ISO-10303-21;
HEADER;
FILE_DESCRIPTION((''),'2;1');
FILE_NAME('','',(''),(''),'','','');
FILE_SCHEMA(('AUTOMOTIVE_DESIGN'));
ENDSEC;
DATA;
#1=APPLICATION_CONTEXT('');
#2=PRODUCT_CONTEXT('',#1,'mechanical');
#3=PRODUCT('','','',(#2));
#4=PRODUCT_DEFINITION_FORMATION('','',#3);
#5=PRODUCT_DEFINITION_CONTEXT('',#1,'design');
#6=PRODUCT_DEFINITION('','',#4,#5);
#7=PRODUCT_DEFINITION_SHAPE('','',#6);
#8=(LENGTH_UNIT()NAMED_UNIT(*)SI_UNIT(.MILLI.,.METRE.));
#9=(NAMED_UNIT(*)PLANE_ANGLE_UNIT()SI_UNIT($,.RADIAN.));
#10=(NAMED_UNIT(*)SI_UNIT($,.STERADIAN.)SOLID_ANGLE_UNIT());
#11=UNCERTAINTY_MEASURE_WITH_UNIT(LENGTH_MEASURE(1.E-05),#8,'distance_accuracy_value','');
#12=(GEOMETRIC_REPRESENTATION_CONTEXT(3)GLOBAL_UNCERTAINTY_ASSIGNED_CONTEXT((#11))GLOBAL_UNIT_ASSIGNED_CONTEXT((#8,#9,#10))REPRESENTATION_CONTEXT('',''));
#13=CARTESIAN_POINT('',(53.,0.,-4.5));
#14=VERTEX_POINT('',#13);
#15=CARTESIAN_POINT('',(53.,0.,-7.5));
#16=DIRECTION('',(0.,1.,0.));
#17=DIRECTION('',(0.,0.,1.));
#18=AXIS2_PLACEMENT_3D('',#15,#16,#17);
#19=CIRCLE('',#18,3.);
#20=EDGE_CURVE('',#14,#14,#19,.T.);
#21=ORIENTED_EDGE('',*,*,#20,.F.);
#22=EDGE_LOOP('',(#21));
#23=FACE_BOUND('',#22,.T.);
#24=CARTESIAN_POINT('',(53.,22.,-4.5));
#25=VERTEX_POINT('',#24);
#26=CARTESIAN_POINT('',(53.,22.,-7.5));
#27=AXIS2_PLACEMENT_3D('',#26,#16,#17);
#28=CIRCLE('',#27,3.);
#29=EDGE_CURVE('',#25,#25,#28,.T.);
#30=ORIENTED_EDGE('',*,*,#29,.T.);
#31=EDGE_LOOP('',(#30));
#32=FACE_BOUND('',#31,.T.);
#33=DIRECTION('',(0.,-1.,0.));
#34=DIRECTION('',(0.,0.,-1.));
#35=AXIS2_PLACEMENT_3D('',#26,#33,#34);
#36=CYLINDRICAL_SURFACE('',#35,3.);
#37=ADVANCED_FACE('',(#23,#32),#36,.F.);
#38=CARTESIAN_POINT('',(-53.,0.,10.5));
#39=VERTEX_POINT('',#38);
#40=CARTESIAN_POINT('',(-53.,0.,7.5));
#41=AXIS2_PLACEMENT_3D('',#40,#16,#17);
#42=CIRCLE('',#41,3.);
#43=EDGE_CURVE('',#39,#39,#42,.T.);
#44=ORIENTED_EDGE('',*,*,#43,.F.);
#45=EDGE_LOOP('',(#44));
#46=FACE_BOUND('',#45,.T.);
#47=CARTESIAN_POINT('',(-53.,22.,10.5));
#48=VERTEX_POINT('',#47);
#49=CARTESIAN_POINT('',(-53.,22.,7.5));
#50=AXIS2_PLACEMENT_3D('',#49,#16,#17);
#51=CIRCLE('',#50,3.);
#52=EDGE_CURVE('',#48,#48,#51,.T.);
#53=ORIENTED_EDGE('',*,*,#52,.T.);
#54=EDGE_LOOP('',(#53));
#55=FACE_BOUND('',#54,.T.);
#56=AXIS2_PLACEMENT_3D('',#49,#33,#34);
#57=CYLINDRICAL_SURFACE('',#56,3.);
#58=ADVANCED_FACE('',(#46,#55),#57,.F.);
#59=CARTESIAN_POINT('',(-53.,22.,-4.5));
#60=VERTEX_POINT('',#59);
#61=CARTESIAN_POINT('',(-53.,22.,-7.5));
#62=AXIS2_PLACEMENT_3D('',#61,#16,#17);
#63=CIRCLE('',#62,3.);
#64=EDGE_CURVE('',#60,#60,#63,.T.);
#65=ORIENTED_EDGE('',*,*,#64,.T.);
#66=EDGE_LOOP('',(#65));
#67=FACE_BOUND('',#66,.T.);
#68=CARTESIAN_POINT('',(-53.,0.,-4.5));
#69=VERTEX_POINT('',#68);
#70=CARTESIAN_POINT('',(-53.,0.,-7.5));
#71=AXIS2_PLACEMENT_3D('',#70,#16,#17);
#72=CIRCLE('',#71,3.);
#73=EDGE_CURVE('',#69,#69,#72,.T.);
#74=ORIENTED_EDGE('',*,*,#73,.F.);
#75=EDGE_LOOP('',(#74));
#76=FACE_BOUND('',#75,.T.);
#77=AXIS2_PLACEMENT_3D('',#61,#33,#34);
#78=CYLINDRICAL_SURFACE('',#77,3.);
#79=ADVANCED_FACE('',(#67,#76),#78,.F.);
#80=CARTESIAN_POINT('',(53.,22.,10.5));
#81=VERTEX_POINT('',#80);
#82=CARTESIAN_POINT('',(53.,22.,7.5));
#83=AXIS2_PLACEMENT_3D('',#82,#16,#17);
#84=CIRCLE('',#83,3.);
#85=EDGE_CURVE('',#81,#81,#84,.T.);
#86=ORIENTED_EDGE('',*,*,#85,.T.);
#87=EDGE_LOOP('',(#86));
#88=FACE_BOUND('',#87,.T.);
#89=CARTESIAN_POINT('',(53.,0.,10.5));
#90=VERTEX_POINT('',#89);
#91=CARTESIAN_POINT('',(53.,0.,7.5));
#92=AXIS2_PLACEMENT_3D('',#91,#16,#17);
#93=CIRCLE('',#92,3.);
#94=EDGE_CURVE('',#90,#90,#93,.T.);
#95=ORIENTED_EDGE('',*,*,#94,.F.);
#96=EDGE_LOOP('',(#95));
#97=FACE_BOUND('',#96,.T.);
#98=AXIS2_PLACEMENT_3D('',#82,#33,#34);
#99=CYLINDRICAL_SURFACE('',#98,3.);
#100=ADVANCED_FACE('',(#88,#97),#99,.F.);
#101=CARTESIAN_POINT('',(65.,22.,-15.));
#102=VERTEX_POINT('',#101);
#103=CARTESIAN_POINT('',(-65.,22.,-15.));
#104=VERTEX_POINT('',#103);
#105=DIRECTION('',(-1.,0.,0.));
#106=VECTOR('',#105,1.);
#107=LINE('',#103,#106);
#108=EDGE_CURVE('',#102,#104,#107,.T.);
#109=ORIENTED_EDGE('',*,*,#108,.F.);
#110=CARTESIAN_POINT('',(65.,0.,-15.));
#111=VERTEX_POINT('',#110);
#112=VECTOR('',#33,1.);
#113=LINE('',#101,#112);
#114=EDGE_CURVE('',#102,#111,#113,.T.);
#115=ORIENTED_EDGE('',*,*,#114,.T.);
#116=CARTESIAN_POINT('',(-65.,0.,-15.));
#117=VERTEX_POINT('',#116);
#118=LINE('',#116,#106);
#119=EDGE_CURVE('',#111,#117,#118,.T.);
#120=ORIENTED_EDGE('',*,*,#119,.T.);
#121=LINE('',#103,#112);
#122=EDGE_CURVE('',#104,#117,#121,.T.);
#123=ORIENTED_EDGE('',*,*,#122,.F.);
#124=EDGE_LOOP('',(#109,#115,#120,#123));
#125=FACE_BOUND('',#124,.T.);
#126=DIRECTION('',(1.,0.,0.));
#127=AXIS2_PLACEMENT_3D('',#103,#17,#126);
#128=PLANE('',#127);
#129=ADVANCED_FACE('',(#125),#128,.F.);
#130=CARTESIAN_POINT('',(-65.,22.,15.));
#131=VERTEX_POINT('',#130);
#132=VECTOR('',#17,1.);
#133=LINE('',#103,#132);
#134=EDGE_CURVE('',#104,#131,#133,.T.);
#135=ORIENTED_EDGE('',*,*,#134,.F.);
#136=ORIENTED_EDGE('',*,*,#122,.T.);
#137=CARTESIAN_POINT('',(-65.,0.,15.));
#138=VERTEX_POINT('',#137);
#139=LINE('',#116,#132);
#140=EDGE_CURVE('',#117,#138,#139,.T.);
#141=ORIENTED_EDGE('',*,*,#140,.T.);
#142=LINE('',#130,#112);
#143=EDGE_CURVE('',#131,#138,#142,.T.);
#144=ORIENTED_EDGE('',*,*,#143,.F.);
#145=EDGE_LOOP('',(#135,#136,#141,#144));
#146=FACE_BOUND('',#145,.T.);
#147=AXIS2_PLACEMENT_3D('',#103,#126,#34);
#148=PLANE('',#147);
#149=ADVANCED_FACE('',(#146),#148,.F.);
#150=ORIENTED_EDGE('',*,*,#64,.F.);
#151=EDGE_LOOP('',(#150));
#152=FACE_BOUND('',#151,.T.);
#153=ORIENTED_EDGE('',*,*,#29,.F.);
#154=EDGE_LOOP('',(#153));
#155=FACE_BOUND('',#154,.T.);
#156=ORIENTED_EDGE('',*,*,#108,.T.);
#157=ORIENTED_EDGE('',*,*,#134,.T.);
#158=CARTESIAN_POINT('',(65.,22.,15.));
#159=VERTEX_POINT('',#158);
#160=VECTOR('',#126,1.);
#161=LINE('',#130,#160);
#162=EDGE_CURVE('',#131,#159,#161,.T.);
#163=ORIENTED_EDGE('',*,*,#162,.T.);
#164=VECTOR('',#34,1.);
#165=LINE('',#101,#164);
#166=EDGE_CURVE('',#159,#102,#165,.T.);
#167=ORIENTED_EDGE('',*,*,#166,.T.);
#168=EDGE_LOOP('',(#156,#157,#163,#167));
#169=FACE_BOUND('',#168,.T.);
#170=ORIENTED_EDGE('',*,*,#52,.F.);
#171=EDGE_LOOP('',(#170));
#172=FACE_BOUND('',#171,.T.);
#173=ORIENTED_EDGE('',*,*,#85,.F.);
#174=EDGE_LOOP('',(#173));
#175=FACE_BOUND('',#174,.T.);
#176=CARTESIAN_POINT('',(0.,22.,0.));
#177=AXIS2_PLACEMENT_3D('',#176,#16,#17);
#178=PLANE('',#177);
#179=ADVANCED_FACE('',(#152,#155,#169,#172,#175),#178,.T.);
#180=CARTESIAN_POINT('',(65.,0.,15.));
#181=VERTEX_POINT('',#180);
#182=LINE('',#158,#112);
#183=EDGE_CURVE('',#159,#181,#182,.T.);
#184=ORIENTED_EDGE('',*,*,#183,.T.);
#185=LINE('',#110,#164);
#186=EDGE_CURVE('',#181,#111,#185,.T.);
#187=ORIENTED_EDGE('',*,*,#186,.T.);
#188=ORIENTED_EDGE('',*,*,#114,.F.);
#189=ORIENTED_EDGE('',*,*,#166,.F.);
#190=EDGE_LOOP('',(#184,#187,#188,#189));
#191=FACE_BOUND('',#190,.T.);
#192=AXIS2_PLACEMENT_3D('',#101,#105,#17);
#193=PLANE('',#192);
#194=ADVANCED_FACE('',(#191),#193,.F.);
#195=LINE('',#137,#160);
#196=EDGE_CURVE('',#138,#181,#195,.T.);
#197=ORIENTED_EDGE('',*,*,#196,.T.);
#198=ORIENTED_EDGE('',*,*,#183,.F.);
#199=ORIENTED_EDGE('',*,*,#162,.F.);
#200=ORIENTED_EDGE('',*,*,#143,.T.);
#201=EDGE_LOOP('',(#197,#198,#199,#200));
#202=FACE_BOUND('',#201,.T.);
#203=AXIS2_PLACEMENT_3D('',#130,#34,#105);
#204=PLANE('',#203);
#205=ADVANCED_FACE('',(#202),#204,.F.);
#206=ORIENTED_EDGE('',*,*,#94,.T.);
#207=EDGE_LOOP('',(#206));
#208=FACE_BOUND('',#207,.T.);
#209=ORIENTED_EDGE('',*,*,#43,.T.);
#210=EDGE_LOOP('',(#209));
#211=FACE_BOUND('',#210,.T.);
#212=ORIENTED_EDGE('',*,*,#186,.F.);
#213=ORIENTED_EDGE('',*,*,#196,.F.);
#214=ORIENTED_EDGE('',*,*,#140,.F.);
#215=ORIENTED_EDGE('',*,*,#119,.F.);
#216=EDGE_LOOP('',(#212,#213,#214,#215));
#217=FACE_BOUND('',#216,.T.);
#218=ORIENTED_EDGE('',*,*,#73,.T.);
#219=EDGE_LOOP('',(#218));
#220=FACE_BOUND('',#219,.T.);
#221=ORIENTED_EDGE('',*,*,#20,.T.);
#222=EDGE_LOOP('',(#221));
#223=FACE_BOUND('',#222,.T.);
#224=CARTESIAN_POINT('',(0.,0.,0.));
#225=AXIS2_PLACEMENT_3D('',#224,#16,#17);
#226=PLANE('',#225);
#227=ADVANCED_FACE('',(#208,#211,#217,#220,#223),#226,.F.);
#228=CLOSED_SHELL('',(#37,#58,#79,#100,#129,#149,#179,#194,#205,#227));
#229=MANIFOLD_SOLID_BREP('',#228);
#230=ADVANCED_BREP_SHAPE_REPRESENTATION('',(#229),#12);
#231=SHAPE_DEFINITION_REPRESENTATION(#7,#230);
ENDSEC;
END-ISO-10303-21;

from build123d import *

# Parameters (mm, degrees)
SKETCH1_W           = 130
SKETCH1_H           = 30
SKETCH1_R           = 3
BOSS_EXTRUDE1_DEPTH = 22


with BuildPart() as part:
    # Sketch1 → Boss-Extrude1 (new body)
    with BuildSketch(Plane(origin=(0, 0, 0), x_dir=(1, 0, 0), z_dir=(0, 1, 0))):
        Rectangle(SKETCH1_W, SKETCH1_H)
        with Locations(Location((-53, 7.5, 0), (0, 0, 270))):
            Circle(SKETCH1_R, mode=Mode.SUBTRACT)
        with Locations(Location((-53, -7.5, 0), (0, 0, 270))):
            Circle(SKETCH1_R, mode=Mode.SUBTRACT)
        with Locations(Location((53, 7.5, 0), (0, 0, 270))):
            Circle(SKETCH1_R, mode=Mode.SUBTRACT)
        with Locations(Location((53, -7.5, 0), (0, 0, 270))):
            Circle(SKETCH1_R, mode=Mode.SUBTRACT)
    extrude(amount=BOSS_EXTRUDE1_DEPTH)


solid = part.part
